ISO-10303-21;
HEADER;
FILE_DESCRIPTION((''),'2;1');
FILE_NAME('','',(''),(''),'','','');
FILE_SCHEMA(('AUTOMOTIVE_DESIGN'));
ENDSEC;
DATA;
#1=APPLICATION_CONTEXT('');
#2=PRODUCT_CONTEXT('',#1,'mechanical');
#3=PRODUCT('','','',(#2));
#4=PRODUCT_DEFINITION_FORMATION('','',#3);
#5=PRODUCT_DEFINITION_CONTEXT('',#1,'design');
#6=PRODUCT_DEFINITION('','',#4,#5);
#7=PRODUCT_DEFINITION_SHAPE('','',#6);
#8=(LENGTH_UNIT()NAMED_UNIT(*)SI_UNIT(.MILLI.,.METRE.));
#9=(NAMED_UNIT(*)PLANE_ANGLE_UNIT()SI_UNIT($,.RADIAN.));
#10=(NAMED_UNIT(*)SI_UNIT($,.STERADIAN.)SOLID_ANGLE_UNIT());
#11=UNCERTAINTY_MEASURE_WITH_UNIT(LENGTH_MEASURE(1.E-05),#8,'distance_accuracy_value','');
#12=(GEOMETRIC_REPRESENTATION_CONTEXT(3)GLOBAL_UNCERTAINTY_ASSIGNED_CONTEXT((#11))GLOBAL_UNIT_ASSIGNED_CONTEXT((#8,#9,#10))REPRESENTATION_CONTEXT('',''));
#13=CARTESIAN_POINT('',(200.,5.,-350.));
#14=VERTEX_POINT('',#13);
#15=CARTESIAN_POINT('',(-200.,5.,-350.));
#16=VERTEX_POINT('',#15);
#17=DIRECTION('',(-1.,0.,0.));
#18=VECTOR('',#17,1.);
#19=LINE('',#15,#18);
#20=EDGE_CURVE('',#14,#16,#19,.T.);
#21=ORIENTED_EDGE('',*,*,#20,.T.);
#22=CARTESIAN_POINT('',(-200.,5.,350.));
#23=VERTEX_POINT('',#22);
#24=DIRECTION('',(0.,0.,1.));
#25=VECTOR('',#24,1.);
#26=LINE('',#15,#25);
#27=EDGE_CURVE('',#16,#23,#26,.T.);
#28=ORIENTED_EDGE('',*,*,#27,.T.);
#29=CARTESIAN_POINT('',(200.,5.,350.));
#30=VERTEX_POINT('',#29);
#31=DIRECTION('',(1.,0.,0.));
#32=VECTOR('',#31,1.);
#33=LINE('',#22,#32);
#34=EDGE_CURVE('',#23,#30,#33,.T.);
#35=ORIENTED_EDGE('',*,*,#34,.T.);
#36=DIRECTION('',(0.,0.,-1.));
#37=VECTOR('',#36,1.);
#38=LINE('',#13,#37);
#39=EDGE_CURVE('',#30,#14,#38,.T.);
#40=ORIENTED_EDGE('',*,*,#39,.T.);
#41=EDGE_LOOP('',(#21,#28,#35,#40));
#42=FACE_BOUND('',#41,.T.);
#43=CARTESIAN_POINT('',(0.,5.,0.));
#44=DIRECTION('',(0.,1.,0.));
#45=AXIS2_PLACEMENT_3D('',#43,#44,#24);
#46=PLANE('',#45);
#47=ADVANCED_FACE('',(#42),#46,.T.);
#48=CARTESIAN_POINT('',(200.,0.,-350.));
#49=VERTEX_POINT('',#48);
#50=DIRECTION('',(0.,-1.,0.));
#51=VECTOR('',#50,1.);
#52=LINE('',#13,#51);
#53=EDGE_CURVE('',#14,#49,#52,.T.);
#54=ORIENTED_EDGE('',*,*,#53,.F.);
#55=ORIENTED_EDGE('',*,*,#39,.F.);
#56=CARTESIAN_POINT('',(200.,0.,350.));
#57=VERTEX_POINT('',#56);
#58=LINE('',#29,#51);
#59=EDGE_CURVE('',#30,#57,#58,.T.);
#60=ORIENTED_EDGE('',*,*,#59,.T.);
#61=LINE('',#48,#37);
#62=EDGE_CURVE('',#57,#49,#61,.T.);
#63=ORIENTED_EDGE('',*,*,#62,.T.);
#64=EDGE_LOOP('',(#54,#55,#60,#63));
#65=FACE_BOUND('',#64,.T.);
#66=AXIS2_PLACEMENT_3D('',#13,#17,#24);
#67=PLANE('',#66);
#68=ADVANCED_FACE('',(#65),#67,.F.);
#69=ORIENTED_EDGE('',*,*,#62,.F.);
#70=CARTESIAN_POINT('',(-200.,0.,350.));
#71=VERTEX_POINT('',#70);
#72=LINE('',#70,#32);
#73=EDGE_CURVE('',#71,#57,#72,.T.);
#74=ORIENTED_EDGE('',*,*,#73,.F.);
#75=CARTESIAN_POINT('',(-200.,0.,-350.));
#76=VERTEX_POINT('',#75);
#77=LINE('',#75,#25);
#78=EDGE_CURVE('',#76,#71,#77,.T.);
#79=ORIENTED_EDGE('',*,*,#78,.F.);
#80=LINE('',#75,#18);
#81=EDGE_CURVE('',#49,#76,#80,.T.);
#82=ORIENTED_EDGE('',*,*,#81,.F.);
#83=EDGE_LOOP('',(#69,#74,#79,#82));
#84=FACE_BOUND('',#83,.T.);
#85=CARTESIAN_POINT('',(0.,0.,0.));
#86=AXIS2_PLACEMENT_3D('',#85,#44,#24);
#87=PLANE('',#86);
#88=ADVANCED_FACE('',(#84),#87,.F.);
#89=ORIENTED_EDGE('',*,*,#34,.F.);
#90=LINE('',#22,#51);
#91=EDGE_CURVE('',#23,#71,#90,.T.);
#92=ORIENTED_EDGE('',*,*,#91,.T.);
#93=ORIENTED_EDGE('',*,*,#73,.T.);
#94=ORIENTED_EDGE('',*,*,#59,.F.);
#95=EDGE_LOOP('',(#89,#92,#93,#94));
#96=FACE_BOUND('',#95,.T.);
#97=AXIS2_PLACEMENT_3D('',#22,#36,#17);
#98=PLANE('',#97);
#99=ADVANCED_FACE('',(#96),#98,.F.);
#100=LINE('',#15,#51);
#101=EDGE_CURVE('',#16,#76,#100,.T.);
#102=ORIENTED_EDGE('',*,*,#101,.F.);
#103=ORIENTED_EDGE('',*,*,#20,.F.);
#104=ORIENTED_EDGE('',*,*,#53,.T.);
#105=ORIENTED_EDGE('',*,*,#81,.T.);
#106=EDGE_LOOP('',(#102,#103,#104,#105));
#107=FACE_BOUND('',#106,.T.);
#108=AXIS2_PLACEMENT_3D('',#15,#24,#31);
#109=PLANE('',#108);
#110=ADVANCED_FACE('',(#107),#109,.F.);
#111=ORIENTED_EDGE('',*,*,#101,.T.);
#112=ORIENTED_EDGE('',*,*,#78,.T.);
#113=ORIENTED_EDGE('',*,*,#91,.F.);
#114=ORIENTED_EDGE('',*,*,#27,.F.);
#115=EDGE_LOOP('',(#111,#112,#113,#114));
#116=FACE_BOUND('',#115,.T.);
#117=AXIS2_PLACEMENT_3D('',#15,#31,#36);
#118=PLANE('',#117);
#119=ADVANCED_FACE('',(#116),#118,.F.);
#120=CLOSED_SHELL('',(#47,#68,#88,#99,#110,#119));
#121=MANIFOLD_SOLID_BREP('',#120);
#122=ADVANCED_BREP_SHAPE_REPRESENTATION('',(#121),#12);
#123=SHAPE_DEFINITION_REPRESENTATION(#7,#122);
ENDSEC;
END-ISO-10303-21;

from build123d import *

# Parameters (mm, degrees)
SKETCH1_W           = 400
SKETCH1_H           = 700
BOSS_EXTRUDE1_DEPTH = 5


with BuildPart() as part:
    # Sketch1 → Boss-Extrude1 (new body)
    with BuildSketch(Plane(origin=(0, 0, 0), x_dir=(1, 0, 0), z_dir=(0, 1, 0))):
        Rectangle(SKETCH1_W, SKETCH1_H)
    extrude(amount=BOSS_EXTRUDE1_DEPTH)


solid = part.part
